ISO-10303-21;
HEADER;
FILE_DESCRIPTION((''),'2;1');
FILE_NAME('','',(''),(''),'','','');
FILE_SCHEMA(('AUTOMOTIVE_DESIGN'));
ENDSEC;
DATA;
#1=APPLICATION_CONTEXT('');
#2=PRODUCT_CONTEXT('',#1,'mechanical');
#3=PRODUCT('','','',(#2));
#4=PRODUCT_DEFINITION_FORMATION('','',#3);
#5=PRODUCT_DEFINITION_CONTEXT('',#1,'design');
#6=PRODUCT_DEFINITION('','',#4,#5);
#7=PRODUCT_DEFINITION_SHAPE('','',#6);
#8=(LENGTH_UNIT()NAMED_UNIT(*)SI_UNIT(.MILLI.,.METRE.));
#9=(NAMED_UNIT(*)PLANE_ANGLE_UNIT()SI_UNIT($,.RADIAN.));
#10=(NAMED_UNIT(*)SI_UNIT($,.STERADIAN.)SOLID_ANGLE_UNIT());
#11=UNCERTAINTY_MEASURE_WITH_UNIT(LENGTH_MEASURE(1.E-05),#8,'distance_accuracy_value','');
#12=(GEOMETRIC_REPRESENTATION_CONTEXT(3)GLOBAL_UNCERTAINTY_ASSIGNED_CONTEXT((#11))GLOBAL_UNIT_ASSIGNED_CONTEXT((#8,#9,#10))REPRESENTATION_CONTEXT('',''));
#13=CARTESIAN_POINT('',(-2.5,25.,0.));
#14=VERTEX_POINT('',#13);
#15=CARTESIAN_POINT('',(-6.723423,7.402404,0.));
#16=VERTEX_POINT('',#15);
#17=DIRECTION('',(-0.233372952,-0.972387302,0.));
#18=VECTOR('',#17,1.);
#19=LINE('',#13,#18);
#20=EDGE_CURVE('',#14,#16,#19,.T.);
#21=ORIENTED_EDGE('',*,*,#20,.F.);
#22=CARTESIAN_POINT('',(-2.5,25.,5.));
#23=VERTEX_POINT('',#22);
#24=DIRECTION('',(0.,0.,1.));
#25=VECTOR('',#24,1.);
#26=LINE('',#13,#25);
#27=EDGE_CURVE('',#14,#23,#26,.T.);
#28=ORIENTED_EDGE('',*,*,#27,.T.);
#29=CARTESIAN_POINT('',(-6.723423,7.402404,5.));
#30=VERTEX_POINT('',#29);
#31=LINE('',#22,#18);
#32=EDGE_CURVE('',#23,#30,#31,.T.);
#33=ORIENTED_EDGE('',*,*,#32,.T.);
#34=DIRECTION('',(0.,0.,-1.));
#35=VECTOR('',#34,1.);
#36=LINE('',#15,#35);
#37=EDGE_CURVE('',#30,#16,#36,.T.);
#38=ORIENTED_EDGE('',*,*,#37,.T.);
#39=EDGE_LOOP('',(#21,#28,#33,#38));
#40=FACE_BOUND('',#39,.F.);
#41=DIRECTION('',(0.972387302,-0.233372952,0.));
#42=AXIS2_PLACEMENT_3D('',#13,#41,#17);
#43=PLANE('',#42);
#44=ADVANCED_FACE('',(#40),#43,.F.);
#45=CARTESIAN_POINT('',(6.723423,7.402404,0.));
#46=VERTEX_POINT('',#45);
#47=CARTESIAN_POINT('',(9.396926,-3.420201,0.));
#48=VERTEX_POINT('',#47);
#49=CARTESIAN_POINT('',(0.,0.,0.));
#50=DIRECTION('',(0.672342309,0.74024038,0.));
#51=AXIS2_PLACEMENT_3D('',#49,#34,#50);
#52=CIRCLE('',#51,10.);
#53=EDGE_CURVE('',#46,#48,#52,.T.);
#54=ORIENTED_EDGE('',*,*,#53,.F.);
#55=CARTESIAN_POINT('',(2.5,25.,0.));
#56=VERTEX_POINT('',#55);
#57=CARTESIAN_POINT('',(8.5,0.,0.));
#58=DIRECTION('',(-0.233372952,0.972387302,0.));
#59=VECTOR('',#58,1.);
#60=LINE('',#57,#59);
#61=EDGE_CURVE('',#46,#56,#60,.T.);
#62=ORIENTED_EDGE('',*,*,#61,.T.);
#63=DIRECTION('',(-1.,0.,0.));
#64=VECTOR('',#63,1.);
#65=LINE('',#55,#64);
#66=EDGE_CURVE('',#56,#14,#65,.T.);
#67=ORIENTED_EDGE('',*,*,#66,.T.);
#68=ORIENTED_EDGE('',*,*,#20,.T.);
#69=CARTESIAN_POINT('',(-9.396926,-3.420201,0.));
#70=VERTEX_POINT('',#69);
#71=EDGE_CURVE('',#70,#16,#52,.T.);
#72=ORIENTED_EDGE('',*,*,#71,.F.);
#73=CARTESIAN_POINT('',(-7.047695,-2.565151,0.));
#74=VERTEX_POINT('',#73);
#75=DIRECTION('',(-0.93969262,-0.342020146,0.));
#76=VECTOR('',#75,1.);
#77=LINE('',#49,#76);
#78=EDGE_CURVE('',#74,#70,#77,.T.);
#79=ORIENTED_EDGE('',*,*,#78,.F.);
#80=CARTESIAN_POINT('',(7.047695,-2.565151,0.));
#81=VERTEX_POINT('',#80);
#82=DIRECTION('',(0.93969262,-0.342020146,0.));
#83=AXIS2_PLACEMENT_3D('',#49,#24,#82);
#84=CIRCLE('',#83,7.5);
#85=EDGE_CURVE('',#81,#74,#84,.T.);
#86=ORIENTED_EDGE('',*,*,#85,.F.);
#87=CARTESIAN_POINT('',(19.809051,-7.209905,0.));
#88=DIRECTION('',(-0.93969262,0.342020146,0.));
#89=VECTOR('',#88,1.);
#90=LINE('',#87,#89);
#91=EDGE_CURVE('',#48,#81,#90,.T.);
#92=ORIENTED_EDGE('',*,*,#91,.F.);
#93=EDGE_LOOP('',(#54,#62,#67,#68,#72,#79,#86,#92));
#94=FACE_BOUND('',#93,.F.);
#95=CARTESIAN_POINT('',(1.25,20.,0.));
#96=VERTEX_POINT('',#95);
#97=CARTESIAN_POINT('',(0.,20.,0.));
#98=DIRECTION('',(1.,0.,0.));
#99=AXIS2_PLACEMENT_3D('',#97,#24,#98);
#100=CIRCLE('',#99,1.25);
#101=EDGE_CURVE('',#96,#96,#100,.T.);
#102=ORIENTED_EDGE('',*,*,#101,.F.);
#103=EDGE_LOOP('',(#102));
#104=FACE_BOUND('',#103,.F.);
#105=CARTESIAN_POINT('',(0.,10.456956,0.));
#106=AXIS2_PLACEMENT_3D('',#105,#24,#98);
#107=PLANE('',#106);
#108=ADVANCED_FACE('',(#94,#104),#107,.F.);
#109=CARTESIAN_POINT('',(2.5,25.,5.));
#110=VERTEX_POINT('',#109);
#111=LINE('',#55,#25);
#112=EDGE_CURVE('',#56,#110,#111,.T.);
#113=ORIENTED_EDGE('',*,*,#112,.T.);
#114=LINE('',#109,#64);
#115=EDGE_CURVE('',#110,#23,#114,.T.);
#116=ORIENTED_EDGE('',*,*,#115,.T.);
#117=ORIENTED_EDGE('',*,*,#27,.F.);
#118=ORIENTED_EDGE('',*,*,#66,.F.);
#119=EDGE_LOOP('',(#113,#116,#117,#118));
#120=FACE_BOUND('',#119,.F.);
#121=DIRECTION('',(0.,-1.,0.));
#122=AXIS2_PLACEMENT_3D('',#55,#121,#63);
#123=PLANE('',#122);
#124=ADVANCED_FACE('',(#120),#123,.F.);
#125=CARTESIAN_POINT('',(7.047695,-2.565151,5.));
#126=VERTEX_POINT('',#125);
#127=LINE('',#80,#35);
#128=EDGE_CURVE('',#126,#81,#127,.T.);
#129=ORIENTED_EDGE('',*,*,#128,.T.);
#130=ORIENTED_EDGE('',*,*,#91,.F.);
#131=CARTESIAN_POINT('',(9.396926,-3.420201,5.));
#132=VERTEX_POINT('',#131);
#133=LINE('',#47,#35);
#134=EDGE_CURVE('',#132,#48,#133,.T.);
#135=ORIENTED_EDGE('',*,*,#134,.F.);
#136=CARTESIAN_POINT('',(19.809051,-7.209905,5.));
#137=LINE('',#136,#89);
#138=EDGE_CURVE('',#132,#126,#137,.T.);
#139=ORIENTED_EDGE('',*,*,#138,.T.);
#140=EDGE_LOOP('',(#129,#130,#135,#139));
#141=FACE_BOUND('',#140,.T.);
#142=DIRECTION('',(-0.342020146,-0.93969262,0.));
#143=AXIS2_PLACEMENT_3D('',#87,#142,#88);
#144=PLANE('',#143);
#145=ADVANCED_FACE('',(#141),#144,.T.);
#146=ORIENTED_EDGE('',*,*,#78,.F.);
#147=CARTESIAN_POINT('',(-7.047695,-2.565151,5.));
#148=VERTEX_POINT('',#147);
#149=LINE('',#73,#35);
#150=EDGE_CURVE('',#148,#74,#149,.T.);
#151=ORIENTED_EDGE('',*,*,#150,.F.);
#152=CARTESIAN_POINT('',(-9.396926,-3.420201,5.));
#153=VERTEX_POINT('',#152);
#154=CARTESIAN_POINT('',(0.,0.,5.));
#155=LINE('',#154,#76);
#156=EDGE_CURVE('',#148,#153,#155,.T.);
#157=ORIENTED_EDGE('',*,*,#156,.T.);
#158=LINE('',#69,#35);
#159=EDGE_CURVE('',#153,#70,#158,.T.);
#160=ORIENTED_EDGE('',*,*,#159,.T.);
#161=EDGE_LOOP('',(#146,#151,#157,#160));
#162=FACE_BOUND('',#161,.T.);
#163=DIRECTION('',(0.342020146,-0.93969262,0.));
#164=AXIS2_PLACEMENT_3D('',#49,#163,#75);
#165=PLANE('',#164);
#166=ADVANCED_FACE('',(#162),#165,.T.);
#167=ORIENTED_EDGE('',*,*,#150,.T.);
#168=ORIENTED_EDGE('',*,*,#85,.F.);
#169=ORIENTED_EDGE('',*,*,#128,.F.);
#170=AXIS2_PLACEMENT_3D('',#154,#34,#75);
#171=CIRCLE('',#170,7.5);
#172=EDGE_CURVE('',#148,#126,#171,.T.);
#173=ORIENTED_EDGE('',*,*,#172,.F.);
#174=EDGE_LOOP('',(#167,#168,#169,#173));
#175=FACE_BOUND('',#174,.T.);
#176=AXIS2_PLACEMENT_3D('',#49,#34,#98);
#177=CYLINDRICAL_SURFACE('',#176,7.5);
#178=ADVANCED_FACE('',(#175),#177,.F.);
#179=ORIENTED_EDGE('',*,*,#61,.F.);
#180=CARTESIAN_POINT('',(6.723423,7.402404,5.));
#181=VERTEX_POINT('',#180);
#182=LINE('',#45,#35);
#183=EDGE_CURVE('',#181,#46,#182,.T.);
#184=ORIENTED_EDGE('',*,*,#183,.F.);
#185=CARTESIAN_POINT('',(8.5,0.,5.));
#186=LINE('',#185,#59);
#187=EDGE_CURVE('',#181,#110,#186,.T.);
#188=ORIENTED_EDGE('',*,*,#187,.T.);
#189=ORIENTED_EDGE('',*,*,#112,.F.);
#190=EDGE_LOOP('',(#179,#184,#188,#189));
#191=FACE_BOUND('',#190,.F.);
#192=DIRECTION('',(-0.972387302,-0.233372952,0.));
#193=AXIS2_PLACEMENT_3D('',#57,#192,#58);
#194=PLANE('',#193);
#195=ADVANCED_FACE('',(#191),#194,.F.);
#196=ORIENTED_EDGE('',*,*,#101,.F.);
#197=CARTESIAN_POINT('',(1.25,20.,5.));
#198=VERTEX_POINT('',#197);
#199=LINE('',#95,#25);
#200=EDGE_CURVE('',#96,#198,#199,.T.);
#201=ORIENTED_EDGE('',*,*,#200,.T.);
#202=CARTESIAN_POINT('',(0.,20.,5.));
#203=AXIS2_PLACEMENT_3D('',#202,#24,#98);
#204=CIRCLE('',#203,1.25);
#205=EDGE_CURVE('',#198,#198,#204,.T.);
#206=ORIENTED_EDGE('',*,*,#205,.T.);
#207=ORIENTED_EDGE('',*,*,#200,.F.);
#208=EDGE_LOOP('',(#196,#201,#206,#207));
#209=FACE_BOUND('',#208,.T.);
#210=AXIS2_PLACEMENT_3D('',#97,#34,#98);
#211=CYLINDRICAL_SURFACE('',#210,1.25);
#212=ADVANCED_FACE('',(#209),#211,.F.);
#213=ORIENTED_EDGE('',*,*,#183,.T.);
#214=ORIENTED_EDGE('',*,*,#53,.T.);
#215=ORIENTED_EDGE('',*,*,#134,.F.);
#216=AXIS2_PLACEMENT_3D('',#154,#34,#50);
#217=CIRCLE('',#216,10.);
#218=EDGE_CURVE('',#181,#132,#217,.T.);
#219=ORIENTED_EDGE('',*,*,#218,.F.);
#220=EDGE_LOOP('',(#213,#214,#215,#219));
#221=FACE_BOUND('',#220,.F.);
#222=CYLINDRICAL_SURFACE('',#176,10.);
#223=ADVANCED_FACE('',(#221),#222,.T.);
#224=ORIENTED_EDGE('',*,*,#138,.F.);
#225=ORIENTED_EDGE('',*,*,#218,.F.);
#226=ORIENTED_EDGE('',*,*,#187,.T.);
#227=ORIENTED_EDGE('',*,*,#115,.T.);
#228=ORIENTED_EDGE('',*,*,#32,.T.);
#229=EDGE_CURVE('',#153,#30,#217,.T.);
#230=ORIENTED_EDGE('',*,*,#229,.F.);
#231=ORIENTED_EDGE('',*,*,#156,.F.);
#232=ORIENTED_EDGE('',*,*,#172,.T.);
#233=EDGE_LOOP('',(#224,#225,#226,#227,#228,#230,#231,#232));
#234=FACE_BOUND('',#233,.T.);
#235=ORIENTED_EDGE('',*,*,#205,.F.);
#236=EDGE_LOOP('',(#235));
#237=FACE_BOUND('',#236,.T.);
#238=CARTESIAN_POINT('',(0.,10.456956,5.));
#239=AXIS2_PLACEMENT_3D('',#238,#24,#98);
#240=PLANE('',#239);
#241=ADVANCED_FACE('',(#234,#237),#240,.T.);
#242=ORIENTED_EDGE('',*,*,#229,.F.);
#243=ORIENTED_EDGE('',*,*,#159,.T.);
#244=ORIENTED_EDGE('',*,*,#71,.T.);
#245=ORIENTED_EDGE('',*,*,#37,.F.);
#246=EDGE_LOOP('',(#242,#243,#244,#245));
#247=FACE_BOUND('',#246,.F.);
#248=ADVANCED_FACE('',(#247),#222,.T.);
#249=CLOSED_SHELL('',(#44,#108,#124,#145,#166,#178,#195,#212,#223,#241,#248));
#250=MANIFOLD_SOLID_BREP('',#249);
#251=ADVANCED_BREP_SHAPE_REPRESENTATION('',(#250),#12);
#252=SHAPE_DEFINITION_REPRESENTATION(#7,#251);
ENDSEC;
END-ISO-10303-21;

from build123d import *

# Parameters (mm, degrees)
F0_R     = 10
F1_DEPTH = 5
F3_DEPTH = 5
F4_R     = 7.5
F5_DEPTH = 5
F7_DEPTH = 5
F8_R     = 1.25
F9_DEPTH = 5


with BuildPart() as f1:
    # F0 (on Top) → F1 (new body)
    with BuildSketch(Plane.XY):
        Circle(F0_R)
    extrude(amount=F1_DEPTH)

    # F2 (on Top) → F3 (join)
    with BuildSketch(Plane.XY):
        Polygon((-2.5, 25), (-8.5, 0), (8.5, 0), (2.5, 25), align=None)
    extrude(amount=F3_DEPTH)

    # F4 (on Top) → F5 (cut)
    with BuildSketch(Plane.XY):
        Circle(F4_R)
    extrude(amount=F5_DEPTH, mode=Mode.SUBTRACT)

    # F6 (on Top) → F7 (cut)
    with BuildSketch(Plane.XY):
        Polygon((19.809051, -7.209905), (0, 0), (-19.809051, -7.209905), (0, -14.41981), align=None)
    extrude(amount=F7_DEPTH, mode=Mode.SUBTRACT)

    # F8 (on Top) → F9 (cut)
    with BuildSketch(Plane.XY):
        with Locations((0, 20)):
            Circle(F8_R)
    extrude(amount=F9_DEPTH, mode=Mode.SUBTRACT)


solid = f1.part
